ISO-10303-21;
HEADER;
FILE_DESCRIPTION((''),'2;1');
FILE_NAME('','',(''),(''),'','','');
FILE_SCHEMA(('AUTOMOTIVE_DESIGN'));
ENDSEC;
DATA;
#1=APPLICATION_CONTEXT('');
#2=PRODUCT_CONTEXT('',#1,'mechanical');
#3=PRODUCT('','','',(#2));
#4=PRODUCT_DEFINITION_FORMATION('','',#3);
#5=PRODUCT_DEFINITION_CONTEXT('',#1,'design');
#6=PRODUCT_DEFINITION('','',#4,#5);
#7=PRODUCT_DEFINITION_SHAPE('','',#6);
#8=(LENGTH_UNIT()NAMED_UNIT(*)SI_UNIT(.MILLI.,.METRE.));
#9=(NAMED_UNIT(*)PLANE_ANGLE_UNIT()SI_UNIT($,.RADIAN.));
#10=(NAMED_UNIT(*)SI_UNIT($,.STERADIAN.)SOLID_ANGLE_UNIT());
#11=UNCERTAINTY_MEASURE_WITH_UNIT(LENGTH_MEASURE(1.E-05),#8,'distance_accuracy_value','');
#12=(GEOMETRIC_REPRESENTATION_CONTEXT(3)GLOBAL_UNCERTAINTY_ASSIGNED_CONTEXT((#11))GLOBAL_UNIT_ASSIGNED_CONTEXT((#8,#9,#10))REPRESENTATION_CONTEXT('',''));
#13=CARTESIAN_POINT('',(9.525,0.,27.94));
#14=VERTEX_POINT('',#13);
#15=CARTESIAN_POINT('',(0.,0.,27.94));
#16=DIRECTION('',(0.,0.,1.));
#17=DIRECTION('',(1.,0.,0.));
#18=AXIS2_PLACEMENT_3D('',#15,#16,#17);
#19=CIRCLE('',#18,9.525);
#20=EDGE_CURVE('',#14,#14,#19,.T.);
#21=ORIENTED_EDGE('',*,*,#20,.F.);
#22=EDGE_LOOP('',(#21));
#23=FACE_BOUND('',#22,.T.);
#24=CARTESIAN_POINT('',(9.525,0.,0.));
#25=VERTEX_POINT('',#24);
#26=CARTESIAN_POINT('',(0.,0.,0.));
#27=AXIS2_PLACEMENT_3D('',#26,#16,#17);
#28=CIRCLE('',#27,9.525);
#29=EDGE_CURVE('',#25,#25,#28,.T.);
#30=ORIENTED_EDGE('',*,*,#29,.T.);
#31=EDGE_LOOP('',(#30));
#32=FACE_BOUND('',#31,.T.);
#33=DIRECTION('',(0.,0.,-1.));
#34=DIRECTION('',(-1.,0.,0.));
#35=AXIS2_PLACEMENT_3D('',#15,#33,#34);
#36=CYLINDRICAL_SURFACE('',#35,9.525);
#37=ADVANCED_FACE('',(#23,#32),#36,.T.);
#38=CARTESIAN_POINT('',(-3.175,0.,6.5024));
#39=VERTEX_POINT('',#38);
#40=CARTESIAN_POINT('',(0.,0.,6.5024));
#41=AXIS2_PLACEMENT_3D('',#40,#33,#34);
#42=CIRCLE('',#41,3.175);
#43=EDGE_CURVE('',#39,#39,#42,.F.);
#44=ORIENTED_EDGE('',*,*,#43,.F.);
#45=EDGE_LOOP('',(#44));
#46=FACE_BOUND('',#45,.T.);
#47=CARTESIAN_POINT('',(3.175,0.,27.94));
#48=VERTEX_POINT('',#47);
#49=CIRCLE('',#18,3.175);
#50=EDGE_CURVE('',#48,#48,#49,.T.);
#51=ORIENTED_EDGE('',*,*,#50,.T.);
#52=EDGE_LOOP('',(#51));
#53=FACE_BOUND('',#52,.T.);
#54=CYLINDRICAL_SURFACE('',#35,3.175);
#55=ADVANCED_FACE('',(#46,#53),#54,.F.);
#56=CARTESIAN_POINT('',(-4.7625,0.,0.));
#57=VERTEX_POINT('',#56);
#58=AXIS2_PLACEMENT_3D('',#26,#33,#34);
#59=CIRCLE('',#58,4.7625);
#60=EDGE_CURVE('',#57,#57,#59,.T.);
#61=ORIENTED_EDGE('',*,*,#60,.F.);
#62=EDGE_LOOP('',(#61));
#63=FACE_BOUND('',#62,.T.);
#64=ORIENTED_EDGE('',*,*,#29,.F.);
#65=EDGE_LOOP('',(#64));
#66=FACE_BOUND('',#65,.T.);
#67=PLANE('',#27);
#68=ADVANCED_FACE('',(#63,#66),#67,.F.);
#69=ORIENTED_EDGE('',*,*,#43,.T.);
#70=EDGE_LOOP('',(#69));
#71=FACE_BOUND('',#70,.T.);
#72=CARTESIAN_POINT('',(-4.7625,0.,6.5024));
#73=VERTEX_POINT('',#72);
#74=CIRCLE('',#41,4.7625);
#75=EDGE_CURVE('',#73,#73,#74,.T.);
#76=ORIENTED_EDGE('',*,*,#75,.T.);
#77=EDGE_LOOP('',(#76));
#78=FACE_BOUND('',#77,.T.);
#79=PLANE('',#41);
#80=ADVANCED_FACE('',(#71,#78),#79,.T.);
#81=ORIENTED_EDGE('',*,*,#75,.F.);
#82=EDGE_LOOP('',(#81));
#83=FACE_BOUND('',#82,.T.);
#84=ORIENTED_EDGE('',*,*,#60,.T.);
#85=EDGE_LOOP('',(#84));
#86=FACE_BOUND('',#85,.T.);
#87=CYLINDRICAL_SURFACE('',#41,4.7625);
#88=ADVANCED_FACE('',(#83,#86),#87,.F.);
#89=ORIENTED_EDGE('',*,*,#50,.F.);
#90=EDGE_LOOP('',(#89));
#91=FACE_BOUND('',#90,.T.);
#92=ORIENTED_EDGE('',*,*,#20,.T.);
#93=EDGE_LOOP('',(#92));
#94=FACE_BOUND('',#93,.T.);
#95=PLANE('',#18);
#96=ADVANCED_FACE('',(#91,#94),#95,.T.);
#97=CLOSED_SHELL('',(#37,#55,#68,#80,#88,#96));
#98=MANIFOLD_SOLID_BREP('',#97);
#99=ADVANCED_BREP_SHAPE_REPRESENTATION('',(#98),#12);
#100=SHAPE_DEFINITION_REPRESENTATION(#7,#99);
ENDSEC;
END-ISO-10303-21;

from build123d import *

# Parameters (mm, degrees)
SKETCH1_R           = 9.525
SKETCH1_R_2         = 3.175
BOSS_EXTRUDE1_DEPTH = 27.94
SKETCH2_R           = 4.7625
SKETCH2_R_2         = 3.175
CUT_EXTRUDE1_DEPTH  = 6.5024


with BuildPart() as part:
    # Sketch1 → Boss-Extrude1 (new body)
    with BuildSketch(Plane.XY):
        Circle(SKETCH1_R)
        Circle(SKETCH1_R_2, mode=Mode.SUBTRACT)
    extrude(amount=BOSS_EXTRUDE1_DEPTH)

    # Sketch2 → Cut-Extrude1 (cut)
    with BuildSketch(Plane(origin=(0, 0, 0), x_dir=(-1, 0, 0), z_dir=(0, 0, -1))):
        Circle(SKETCH2_R)
        Circle(SKETCH2_R_2, mode=Mode.SUBTRACT)
    extrude(amount=-CUT_EXTRUDE1_DEPTH, mode=Mode.SUBTRACT)


solid = part.part
